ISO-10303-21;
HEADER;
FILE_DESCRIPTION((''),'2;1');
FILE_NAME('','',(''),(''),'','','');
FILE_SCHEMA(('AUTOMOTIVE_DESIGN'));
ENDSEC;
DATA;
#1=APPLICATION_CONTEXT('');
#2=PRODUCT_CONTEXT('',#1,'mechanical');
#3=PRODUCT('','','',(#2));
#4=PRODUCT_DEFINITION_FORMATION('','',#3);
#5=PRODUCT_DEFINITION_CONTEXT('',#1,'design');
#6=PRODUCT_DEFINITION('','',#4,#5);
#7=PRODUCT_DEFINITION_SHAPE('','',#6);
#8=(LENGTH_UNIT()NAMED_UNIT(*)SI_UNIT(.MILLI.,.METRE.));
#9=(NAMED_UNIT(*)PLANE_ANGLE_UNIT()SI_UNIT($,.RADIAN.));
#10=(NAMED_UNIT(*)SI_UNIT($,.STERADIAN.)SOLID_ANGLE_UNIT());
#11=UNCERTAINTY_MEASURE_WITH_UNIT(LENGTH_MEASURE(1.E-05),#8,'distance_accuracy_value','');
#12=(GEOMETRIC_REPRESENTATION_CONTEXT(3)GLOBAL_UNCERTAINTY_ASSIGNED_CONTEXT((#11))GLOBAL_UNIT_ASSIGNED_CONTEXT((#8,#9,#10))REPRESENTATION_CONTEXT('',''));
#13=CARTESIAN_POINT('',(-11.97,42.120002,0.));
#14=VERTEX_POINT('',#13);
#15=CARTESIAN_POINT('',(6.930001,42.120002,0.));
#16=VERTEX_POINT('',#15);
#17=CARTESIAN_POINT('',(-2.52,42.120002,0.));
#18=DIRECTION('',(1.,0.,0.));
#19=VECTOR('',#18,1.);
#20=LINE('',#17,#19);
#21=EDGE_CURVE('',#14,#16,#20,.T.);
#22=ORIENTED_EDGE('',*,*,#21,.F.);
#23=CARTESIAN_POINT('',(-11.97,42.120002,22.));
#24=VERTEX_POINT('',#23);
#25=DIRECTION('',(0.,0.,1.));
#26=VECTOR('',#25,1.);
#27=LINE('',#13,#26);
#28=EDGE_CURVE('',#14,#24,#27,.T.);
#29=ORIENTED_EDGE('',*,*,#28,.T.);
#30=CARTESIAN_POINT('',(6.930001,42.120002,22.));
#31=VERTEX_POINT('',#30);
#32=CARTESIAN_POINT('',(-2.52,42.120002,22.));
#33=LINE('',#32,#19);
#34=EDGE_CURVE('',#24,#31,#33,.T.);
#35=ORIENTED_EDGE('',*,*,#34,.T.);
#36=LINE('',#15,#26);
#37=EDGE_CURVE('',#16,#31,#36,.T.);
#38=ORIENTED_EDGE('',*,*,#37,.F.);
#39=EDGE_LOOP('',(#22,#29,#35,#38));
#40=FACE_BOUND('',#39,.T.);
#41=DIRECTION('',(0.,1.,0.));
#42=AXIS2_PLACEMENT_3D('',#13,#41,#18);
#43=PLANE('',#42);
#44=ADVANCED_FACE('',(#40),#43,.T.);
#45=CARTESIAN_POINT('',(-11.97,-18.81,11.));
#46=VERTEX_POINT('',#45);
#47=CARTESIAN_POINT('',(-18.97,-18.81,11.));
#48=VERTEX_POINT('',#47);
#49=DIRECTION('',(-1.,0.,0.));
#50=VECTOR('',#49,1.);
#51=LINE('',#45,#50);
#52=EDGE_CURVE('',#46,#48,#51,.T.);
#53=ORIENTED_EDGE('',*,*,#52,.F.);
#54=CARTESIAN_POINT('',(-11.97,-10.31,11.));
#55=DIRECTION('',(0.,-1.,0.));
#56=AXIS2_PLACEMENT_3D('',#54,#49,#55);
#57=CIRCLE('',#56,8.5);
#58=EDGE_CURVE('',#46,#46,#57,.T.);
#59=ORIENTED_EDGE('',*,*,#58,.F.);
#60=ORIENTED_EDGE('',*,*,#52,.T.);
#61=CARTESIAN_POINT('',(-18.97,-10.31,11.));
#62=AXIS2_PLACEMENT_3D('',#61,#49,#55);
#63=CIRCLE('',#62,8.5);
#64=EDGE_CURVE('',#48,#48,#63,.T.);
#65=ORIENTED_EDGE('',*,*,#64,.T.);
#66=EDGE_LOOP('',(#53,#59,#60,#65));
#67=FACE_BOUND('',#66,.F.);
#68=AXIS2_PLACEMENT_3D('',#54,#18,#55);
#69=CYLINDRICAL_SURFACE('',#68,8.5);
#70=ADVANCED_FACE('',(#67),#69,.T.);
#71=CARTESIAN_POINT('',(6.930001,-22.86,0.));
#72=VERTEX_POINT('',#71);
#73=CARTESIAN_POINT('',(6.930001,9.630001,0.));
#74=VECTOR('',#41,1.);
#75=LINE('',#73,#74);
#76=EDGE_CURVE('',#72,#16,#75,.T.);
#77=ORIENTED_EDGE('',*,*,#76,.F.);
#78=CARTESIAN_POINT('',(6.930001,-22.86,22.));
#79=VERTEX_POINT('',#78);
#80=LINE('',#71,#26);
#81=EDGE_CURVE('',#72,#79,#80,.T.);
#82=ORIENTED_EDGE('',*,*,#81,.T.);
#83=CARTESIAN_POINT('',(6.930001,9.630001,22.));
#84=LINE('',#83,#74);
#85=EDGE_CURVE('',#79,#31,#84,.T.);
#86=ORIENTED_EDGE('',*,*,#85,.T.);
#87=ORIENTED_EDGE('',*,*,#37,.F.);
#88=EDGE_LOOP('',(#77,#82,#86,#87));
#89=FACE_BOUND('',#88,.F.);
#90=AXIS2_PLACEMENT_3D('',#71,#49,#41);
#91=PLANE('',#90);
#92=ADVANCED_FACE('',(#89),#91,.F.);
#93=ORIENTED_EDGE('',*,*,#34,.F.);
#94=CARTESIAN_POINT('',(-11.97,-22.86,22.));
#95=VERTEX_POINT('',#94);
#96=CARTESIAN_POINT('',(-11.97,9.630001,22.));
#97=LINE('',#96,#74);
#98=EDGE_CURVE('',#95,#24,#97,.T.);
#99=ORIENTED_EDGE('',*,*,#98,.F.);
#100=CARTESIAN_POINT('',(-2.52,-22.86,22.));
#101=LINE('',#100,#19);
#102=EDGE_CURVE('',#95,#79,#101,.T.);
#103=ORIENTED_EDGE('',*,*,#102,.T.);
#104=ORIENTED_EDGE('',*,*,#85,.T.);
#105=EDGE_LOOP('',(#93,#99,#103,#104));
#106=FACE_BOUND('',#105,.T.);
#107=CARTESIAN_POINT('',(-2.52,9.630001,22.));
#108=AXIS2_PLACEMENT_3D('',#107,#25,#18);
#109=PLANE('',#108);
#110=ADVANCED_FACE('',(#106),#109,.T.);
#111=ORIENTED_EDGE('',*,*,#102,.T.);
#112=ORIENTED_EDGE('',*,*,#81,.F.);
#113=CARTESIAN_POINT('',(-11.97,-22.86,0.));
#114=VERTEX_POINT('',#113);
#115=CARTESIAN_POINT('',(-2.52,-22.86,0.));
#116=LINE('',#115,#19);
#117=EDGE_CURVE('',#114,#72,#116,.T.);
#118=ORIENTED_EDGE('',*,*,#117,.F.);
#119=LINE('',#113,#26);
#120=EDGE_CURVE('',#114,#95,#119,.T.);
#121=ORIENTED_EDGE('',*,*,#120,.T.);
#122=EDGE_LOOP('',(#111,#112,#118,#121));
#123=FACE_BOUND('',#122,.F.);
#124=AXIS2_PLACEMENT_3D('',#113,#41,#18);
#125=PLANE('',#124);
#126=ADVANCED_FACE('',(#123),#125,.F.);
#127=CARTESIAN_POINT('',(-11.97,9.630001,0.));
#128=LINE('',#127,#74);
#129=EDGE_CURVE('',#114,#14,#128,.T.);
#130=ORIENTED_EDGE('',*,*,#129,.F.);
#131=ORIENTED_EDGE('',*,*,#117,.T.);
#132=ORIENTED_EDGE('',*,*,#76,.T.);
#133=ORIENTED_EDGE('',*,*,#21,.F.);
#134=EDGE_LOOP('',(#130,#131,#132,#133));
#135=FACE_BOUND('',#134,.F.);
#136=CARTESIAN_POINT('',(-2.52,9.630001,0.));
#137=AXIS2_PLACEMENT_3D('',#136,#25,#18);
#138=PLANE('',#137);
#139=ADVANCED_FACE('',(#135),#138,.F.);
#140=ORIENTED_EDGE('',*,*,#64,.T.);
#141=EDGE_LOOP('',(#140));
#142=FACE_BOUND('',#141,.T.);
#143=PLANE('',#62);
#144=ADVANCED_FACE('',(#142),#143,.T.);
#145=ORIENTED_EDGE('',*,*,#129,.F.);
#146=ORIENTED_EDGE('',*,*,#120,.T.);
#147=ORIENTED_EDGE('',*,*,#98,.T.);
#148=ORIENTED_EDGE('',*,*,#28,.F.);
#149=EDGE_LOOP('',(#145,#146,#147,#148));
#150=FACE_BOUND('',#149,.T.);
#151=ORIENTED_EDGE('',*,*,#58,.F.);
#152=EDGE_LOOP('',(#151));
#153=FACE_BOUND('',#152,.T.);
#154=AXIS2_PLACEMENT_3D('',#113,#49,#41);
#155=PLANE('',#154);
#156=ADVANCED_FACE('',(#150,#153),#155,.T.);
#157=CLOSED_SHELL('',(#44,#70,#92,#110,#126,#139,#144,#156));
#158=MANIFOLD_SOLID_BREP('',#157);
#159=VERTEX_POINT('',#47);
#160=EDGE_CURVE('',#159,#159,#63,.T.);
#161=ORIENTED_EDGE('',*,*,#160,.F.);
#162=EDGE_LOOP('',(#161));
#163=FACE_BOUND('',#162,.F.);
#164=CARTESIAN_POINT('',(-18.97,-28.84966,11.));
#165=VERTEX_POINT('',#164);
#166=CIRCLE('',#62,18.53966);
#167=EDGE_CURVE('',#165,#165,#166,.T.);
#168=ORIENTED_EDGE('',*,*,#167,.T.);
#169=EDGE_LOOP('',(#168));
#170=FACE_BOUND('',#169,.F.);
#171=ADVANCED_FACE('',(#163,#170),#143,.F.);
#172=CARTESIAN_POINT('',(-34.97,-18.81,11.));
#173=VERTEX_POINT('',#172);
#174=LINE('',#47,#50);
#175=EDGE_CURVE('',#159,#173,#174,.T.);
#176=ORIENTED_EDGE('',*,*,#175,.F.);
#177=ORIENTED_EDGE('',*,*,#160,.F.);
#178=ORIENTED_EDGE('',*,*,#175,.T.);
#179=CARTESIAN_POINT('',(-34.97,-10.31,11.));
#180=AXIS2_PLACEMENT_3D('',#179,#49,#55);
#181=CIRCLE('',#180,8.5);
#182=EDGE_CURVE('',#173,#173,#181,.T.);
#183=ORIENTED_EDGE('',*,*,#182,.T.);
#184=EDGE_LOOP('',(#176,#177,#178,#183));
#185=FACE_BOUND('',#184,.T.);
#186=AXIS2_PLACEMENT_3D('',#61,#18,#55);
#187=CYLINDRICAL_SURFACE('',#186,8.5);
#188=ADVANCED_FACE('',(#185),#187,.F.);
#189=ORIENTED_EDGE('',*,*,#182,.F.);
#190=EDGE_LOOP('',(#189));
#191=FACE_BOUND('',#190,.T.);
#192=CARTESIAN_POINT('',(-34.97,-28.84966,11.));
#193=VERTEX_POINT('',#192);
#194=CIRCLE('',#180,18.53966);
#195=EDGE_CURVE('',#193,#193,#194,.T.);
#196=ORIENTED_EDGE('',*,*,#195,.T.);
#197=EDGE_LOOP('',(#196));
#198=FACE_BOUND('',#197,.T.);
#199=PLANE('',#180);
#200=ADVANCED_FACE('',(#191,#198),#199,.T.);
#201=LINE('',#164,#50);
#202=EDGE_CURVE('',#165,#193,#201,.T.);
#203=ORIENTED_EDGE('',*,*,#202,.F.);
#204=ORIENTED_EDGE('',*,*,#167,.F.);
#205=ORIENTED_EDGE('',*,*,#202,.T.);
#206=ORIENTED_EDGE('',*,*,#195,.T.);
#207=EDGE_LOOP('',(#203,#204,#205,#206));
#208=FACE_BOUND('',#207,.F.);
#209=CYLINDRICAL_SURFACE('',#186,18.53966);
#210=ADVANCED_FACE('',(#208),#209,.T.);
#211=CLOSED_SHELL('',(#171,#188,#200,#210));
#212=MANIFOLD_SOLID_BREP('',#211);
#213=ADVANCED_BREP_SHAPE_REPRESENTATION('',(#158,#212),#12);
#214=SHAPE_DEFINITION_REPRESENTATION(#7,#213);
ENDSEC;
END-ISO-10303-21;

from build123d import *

# Parameters (mm, degrees)
F0_W     = 18.9000009559
F0_H     = 64.9800021201
F1_DEPTH = 22
F2_R     = 8.5
F3_DEPTH = 7
F4_R     = 18.539660173
F4_R_2   = 8.5
F5_DEPTH = 16


with BuildPart() as f1:
    # F0 (on Top) → F1 (new body)
    with BuildSketch(Plane.XY):
        with Locations((-2.5199998636, 9.6300011501)):
            Rectangle(F0_W, F0_H)
    extrude(amount=F1_DEPTH)

    # F2 (on face) → F3 (join)
    with BuildSketch(Plane(origin=(-11.9700003415, 0, 0), x_dir=(0, -1, 0), z_dir=(-1, 0, 0))):
        with Locations((10.3100002706, 11)):
            Circle(F2_R)
    extrude(amount=F3_DEPTH)


with BuildPart() as f5:
    # F4 (on face) → F5 (new body)
    with BuildSketch(Plane(origin=(-18.9700003415, 0, 0), x_dir=(0, -1, 0), z_dir=(-1, 0, 0))):
        with Locations((10.3100002706, 11)):
            Circle(F4_R)
        with Locations((10.3100002706, 11)):
            Circle(F4_R_2, mode=Mode.SUBTRACT)
    extrude(amount=F5_DEPTH)


solid = Compound([f1.part, f5.part])
